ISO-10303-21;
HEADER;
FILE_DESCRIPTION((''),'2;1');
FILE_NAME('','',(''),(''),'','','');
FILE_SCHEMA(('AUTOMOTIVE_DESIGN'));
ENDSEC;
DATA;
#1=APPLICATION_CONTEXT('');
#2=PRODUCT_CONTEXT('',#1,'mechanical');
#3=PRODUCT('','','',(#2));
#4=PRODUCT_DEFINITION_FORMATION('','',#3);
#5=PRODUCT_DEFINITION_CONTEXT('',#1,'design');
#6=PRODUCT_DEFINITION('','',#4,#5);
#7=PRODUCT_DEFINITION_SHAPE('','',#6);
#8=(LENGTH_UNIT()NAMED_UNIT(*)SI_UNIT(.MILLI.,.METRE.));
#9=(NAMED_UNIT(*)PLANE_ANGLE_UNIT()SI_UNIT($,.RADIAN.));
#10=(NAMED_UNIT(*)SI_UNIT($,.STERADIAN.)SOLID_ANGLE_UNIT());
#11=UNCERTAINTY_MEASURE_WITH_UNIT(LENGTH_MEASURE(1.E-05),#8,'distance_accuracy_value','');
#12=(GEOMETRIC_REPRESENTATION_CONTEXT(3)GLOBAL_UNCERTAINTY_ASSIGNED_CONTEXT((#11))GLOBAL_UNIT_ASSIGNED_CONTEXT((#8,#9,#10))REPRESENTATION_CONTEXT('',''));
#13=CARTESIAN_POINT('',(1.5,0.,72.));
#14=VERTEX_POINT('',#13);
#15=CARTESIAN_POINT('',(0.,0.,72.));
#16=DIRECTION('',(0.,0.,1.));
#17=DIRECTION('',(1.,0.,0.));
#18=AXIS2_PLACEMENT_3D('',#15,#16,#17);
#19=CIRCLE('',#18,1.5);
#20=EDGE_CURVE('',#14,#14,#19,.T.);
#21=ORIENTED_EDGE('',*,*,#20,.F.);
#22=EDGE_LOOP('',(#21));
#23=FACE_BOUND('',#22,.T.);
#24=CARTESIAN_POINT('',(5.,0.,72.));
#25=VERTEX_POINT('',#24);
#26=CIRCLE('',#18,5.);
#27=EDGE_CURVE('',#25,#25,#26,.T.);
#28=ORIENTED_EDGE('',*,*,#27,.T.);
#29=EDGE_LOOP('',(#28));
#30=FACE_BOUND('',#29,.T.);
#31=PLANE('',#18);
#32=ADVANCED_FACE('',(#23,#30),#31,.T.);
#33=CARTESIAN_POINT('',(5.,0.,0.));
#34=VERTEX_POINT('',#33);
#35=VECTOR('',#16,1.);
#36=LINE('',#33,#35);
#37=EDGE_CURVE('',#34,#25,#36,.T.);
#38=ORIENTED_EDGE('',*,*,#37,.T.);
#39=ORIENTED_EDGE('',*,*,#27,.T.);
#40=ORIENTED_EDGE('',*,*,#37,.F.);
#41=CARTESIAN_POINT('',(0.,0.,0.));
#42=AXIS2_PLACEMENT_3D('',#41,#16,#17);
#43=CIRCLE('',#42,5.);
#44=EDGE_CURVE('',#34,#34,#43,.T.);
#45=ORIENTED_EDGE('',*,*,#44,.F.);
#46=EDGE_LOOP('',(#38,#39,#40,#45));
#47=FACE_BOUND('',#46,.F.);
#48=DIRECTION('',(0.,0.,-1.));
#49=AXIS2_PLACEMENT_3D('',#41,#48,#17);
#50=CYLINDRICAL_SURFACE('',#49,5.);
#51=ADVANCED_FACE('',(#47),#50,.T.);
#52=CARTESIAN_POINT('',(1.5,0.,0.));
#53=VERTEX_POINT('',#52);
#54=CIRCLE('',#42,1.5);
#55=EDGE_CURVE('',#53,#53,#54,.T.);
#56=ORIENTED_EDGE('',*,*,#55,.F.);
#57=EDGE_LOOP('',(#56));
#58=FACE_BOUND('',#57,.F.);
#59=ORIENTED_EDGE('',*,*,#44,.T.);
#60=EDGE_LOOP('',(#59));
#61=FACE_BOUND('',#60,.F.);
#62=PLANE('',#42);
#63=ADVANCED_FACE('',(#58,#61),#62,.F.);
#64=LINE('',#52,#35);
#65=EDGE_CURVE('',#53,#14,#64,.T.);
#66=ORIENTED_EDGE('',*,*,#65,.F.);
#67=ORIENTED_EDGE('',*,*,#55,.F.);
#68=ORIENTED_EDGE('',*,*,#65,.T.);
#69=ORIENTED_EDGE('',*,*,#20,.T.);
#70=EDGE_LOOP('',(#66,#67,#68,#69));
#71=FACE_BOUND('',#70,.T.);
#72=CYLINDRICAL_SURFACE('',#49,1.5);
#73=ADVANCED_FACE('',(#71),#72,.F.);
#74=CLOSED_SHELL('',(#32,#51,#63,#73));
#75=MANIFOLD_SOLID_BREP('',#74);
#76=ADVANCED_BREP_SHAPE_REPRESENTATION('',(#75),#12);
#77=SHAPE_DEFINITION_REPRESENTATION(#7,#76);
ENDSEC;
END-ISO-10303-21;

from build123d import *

# Parameters (mm, degrees)
SKETCH_R   = 5
SKETCH_R_2 = 1.5
PAD_DEPTH  = 72


with BuildPart() as part:
    # Sketch → Pad (new body)
    with BuildSketch(Plane.XY):
        Circle(SKETCH_R)
        Circle(SKETCH_R_2, mode=Mode.SUBTRACT)
    extrude(amount=PAD_DEPTH)


solid = part.part
